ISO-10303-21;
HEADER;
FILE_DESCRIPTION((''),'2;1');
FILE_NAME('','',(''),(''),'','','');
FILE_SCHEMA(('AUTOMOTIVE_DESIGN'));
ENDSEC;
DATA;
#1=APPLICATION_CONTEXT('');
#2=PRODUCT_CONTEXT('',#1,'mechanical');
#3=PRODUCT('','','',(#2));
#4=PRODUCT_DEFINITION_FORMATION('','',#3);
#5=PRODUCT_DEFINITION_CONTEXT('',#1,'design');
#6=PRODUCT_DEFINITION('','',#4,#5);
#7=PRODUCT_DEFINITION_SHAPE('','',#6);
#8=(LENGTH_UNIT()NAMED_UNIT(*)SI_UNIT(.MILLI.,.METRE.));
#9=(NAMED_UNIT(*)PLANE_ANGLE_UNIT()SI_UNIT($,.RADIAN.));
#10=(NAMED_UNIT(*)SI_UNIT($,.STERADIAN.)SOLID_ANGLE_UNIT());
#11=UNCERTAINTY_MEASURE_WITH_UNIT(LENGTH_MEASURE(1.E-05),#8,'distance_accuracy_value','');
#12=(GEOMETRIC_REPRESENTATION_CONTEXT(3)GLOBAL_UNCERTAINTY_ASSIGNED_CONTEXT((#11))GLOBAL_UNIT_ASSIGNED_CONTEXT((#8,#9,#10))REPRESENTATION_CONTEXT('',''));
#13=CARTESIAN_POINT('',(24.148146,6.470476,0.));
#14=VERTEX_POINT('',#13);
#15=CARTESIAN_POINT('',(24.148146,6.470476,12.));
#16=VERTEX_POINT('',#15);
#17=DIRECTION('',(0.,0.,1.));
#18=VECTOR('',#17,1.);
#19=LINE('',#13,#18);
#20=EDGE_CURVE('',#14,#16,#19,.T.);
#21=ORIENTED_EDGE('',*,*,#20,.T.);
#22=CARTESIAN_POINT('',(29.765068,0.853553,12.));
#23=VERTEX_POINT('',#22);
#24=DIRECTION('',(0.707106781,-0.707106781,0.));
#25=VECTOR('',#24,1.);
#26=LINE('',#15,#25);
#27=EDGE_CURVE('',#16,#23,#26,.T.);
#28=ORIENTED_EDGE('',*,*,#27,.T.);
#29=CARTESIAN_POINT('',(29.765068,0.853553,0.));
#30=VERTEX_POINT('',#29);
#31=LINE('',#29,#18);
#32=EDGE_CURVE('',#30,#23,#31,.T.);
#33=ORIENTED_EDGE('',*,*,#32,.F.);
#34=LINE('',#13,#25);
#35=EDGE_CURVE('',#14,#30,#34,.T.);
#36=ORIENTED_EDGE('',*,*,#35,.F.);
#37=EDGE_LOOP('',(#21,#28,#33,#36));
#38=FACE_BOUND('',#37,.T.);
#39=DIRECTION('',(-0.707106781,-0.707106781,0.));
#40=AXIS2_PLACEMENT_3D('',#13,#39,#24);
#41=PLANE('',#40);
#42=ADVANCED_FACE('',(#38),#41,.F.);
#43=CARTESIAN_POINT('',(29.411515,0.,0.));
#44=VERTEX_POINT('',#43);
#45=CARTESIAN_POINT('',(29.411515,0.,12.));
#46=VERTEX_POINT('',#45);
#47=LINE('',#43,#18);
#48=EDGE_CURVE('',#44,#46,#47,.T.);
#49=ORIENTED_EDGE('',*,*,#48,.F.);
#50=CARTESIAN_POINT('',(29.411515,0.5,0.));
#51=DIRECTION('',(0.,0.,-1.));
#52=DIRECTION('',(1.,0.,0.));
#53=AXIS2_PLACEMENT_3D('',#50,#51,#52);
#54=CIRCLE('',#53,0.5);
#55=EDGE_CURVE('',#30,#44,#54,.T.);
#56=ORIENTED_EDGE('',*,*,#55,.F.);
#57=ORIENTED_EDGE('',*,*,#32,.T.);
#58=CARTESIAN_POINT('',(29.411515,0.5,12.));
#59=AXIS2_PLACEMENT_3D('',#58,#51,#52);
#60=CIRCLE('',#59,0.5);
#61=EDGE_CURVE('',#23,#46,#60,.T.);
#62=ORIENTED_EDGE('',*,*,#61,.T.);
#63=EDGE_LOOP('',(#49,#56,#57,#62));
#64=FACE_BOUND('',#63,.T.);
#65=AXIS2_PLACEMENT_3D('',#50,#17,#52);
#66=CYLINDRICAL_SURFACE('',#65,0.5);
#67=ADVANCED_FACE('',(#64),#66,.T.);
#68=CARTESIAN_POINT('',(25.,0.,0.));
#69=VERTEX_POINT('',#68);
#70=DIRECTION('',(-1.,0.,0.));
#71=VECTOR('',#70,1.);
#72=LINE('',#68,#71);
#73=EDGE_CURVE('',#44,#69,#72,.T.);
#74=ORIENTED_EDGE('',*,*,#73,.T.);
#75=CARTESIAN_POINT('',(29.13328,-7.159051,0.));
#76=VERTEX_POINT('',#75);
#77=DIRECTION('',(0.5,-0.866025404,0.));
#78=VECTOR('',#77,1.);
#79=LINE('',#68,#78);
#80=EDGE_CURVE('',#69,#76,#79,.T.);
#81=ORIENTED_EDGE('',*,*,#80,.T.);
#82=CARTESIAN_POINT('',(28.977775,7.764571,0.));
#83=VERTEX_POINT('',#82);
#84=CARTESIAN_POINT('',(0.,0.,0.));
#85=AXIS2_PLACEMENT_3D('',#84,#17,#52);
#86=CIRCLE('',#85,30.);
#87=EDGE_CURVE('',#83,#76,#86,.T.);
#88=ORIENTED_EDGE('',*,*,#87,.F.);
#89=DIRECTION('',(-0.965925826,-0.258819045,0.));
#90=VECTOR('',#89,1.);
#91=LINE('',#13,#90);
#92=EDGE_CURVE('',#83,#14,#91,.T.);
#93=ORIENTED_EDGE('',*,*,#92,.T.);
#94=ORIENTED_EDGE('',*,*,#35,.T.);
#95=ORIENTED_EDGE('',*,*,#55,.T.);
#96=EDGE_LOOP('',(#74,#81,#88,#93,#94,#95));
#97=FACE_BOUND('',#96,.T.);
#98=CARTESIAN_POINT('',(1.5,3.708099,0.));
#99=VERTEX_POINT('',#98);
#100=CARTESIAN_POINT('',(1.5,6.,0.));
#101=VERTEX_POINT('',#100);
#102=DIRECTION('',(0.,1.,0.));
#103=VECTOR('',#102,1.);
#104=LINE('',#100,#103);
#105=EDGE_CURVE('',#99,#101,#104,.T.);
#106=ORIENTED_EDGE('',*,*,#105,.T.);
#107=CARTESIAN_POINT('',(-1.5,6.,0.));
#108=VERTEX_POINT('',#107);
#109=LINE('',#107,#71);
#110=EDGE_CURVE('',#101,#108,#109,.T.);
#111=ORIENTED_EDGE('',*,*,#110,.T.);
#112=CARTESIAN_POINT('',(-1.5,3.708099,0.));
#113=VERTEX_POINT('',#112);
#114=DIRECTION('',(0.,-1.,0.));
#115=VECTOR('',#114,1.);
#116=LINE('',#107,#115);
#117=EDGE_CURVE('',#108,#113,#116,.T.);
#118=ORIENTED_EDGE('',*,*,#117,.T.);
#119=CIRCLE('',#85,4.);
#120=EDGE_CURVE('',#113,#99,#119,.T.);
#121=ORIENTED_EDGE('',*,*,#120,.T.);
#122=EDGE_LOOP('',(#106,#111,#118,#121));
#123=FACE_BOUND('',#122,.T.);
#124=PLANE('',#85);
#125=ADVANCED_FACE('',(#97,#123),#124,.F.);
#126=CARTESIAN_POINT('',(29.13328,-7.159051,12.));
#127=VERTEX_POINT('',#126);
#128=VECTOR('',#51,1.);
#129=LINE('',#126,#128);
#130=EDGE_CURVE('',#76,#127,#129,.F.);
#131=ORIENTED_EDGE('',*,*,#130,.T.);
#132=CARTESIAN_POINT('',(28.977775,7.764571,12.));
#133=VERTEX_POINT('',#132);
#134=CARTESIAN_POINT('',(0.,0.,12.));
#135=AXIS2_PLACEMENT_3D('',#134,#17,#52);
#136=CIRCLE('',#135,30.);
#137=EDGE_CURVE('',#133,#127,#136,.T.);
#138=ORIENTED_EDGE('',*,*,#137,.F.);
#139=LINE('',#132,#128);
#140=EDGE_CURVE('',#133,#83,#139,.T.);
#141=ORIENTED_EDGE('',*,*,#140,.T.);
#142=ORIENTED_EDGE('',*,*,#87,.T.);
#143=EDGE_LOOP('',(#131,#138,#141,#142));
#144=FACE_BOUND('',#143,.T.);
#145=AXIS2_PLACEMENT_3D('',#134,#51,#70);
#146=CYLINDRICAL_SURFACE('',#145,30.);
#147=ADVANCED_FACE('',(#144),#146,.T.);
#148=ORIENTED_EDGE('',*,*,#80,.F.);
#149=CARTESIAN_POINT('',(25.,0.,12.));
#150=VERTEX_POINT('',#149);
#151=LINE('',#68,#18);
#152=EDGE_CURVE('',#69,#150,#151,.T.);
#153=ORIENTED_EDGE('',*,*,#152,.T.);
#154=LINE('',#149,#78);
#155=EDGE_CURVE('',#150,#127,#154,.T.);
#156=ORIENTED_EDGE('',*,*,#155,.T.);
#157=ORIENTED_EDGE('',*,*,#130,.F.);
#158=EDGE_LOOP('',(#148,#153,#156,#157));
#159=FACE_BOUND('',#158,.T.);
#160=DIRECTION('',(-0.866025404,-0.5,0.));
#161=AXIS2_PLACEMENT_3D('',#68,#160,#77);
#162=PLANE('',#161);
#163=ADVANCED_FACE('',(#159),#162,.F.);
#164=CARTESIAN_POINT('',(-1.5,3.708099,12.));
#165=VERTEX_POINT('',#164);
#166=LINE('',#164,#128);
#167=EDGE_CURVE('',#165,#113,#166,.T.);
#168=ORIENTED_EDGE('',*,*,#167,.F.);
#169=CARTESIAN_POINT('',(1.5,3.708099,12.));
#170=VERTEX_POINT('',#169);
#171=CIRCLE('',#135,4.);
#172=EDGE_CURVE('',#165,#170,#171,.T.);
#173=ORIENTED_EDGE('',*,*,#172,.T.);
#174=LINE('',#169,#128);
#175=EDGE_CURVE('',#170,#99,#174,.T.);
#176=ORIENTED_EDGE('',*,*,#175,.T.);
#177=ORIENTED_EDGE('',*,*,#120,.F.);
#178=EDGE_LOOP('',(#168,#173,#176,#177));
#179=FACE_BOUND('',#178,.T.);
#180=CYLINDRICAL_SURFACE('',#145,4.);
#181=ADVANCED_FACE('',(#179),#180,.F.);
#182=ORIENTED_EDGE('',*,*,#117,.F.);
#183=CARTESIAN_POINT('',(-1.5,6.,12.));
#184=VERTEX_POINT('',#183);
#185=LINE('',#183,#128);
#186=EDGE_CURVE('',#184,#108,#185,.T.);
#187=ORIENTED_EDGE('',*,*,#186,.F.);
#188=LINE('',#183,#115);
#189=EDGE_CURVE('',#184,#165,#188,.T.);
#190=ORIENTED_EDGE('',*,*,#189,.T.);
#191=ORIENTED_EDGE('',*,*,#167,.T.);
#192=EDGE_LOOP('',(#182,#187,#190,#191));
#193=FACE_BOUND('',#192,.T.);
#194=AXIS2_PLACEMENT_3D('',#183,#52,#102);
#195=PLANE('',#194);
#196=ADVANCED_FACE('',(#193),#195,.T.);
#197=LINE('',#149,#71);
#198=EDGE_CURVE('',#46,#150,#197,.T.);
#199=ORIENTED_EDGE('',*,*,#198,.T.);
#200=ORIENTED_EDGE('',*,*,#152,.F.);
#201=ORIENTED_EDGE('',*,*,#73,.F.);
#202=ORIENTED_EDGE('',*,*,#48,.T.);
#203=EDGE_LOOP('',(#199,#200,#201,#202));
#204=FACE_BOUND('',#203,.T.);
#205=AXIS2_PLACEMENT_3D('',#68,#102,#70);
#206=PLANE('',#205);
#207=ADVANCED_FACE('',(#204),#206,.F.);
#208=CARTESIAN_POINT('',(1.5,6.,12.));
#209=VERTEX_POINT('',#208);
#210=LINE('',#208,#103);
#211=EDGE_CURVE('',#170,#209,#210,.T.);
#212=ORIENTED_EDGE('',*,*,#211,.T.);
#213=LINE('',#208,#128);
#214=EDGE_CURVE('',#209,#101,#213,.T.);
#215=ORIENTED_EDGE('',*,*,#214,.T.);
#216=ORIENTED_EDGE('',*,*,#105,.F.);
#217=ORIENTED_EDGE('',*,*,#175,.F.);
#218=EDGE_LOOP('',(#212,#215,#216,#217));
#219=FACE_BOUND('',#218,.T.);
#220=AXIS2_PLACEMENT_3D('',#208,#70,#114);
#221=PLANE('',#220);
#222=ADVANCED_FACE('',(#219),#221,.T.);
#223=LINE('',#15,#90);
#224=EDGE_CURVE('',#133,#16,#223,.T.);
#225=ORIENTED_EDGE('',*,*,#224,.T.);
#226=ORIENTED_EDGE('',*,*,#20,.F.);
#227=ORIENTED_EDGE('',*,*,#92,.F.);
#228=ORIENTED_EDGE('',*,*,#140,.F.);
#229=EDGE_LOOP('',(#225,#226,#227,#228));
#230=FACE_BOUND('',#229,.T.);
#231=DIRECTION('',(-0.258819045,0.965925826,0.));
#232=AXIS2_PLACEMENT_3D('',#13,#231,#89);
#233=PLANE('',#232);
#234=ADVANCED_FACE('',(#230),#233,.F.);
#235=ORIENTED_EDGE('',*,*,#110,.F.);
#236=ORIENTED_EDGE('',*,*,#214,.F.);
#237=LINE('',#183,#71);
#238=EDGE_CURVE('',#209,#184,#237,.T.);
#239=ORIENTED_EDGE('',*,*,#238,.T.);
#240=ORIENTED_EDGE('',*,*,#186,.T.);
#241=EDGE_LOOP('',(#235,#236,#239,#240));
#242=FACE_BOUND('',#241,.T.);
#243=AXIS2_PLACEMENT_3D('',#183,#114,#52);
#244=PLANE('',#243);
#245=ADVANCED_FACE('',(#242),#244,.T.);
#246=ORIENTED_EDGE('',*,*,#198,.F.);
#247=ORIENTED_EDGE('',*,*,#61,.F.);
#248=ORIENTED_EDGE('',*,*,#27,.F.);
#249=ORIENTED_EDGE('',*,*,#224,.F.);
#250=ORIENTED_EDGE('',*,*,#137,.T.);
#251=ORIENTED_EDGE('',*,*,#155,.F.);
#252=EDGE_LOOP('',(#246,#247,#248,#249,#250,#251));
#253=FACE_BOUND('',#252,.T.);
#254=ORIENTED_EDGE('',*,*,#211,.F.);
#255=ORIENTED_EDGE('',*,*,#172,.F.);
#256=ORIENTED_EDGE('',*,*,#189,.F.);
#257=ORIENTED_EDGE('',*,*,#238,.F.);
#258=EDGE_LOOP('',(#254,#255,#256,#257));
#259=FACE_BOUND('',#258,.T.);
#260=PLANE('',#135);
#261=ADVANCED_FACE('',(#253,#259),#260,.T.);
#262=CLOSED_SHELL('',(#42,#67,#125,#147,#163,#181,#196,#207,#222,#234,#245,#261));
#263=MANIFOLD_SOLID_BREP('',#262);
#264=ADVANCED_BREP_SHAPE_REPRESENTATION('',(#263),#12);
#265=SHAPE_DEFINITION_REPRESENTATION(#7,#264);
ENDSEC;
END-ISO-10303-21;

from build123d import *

# Parameters (mm, degrees)
SKETCH1_R          = 30
EXTRUDE1_DEPTH     = 12
CUT_EXTRUDE1_DEPTH = 12


with BuildPart() as part:
    # Sketch1 → Extrude1 (new body)
    with BuildSketch(Plane.XY):
        Circle(SKETCH1_R)
        with BuildLine():
            Line((-1.5, 6), (1.5, 6))
            Line((1.5, 6), (1.5, 3.708099244))
            ThreePointArc((1.5, 3.708099244), (0, -4), (-1.5, 3.708099244))
            Line((-1.5, 3.708099244), (-1.5, 6))
        make_face(mode=Mode.SUBTRACT)
    extrude(amount=EXTRUDE1_DEPTH)

    # Sketch2 → Cut-Extrude1 (cut)
    with BuildSketch(Plane.XY.offset(12)):
        with BuildLine():
            Line((25, 0), (29.411515004, 0))
            ThreePointArc((29.411515004, 0), (29.87345477, 0.308658284), (29.765068394, 0.853553391))
            Line((29.765068394, 0.853553391), (24.148145657, 6.470476128))
            Line((24.148145657, 6.470476128), (34.591694707, 9.268816662))
            Line((34.591694707, 9.268816662), (29.575317547, -7.924682453))
            Line((29.575317547, -7.924682453), (25, 0))
        make_face()
    extrude(amount=-CUT_EXTRUDE1_DEPTH, mode=Mode.SUBTRACT)


solid = part.part
